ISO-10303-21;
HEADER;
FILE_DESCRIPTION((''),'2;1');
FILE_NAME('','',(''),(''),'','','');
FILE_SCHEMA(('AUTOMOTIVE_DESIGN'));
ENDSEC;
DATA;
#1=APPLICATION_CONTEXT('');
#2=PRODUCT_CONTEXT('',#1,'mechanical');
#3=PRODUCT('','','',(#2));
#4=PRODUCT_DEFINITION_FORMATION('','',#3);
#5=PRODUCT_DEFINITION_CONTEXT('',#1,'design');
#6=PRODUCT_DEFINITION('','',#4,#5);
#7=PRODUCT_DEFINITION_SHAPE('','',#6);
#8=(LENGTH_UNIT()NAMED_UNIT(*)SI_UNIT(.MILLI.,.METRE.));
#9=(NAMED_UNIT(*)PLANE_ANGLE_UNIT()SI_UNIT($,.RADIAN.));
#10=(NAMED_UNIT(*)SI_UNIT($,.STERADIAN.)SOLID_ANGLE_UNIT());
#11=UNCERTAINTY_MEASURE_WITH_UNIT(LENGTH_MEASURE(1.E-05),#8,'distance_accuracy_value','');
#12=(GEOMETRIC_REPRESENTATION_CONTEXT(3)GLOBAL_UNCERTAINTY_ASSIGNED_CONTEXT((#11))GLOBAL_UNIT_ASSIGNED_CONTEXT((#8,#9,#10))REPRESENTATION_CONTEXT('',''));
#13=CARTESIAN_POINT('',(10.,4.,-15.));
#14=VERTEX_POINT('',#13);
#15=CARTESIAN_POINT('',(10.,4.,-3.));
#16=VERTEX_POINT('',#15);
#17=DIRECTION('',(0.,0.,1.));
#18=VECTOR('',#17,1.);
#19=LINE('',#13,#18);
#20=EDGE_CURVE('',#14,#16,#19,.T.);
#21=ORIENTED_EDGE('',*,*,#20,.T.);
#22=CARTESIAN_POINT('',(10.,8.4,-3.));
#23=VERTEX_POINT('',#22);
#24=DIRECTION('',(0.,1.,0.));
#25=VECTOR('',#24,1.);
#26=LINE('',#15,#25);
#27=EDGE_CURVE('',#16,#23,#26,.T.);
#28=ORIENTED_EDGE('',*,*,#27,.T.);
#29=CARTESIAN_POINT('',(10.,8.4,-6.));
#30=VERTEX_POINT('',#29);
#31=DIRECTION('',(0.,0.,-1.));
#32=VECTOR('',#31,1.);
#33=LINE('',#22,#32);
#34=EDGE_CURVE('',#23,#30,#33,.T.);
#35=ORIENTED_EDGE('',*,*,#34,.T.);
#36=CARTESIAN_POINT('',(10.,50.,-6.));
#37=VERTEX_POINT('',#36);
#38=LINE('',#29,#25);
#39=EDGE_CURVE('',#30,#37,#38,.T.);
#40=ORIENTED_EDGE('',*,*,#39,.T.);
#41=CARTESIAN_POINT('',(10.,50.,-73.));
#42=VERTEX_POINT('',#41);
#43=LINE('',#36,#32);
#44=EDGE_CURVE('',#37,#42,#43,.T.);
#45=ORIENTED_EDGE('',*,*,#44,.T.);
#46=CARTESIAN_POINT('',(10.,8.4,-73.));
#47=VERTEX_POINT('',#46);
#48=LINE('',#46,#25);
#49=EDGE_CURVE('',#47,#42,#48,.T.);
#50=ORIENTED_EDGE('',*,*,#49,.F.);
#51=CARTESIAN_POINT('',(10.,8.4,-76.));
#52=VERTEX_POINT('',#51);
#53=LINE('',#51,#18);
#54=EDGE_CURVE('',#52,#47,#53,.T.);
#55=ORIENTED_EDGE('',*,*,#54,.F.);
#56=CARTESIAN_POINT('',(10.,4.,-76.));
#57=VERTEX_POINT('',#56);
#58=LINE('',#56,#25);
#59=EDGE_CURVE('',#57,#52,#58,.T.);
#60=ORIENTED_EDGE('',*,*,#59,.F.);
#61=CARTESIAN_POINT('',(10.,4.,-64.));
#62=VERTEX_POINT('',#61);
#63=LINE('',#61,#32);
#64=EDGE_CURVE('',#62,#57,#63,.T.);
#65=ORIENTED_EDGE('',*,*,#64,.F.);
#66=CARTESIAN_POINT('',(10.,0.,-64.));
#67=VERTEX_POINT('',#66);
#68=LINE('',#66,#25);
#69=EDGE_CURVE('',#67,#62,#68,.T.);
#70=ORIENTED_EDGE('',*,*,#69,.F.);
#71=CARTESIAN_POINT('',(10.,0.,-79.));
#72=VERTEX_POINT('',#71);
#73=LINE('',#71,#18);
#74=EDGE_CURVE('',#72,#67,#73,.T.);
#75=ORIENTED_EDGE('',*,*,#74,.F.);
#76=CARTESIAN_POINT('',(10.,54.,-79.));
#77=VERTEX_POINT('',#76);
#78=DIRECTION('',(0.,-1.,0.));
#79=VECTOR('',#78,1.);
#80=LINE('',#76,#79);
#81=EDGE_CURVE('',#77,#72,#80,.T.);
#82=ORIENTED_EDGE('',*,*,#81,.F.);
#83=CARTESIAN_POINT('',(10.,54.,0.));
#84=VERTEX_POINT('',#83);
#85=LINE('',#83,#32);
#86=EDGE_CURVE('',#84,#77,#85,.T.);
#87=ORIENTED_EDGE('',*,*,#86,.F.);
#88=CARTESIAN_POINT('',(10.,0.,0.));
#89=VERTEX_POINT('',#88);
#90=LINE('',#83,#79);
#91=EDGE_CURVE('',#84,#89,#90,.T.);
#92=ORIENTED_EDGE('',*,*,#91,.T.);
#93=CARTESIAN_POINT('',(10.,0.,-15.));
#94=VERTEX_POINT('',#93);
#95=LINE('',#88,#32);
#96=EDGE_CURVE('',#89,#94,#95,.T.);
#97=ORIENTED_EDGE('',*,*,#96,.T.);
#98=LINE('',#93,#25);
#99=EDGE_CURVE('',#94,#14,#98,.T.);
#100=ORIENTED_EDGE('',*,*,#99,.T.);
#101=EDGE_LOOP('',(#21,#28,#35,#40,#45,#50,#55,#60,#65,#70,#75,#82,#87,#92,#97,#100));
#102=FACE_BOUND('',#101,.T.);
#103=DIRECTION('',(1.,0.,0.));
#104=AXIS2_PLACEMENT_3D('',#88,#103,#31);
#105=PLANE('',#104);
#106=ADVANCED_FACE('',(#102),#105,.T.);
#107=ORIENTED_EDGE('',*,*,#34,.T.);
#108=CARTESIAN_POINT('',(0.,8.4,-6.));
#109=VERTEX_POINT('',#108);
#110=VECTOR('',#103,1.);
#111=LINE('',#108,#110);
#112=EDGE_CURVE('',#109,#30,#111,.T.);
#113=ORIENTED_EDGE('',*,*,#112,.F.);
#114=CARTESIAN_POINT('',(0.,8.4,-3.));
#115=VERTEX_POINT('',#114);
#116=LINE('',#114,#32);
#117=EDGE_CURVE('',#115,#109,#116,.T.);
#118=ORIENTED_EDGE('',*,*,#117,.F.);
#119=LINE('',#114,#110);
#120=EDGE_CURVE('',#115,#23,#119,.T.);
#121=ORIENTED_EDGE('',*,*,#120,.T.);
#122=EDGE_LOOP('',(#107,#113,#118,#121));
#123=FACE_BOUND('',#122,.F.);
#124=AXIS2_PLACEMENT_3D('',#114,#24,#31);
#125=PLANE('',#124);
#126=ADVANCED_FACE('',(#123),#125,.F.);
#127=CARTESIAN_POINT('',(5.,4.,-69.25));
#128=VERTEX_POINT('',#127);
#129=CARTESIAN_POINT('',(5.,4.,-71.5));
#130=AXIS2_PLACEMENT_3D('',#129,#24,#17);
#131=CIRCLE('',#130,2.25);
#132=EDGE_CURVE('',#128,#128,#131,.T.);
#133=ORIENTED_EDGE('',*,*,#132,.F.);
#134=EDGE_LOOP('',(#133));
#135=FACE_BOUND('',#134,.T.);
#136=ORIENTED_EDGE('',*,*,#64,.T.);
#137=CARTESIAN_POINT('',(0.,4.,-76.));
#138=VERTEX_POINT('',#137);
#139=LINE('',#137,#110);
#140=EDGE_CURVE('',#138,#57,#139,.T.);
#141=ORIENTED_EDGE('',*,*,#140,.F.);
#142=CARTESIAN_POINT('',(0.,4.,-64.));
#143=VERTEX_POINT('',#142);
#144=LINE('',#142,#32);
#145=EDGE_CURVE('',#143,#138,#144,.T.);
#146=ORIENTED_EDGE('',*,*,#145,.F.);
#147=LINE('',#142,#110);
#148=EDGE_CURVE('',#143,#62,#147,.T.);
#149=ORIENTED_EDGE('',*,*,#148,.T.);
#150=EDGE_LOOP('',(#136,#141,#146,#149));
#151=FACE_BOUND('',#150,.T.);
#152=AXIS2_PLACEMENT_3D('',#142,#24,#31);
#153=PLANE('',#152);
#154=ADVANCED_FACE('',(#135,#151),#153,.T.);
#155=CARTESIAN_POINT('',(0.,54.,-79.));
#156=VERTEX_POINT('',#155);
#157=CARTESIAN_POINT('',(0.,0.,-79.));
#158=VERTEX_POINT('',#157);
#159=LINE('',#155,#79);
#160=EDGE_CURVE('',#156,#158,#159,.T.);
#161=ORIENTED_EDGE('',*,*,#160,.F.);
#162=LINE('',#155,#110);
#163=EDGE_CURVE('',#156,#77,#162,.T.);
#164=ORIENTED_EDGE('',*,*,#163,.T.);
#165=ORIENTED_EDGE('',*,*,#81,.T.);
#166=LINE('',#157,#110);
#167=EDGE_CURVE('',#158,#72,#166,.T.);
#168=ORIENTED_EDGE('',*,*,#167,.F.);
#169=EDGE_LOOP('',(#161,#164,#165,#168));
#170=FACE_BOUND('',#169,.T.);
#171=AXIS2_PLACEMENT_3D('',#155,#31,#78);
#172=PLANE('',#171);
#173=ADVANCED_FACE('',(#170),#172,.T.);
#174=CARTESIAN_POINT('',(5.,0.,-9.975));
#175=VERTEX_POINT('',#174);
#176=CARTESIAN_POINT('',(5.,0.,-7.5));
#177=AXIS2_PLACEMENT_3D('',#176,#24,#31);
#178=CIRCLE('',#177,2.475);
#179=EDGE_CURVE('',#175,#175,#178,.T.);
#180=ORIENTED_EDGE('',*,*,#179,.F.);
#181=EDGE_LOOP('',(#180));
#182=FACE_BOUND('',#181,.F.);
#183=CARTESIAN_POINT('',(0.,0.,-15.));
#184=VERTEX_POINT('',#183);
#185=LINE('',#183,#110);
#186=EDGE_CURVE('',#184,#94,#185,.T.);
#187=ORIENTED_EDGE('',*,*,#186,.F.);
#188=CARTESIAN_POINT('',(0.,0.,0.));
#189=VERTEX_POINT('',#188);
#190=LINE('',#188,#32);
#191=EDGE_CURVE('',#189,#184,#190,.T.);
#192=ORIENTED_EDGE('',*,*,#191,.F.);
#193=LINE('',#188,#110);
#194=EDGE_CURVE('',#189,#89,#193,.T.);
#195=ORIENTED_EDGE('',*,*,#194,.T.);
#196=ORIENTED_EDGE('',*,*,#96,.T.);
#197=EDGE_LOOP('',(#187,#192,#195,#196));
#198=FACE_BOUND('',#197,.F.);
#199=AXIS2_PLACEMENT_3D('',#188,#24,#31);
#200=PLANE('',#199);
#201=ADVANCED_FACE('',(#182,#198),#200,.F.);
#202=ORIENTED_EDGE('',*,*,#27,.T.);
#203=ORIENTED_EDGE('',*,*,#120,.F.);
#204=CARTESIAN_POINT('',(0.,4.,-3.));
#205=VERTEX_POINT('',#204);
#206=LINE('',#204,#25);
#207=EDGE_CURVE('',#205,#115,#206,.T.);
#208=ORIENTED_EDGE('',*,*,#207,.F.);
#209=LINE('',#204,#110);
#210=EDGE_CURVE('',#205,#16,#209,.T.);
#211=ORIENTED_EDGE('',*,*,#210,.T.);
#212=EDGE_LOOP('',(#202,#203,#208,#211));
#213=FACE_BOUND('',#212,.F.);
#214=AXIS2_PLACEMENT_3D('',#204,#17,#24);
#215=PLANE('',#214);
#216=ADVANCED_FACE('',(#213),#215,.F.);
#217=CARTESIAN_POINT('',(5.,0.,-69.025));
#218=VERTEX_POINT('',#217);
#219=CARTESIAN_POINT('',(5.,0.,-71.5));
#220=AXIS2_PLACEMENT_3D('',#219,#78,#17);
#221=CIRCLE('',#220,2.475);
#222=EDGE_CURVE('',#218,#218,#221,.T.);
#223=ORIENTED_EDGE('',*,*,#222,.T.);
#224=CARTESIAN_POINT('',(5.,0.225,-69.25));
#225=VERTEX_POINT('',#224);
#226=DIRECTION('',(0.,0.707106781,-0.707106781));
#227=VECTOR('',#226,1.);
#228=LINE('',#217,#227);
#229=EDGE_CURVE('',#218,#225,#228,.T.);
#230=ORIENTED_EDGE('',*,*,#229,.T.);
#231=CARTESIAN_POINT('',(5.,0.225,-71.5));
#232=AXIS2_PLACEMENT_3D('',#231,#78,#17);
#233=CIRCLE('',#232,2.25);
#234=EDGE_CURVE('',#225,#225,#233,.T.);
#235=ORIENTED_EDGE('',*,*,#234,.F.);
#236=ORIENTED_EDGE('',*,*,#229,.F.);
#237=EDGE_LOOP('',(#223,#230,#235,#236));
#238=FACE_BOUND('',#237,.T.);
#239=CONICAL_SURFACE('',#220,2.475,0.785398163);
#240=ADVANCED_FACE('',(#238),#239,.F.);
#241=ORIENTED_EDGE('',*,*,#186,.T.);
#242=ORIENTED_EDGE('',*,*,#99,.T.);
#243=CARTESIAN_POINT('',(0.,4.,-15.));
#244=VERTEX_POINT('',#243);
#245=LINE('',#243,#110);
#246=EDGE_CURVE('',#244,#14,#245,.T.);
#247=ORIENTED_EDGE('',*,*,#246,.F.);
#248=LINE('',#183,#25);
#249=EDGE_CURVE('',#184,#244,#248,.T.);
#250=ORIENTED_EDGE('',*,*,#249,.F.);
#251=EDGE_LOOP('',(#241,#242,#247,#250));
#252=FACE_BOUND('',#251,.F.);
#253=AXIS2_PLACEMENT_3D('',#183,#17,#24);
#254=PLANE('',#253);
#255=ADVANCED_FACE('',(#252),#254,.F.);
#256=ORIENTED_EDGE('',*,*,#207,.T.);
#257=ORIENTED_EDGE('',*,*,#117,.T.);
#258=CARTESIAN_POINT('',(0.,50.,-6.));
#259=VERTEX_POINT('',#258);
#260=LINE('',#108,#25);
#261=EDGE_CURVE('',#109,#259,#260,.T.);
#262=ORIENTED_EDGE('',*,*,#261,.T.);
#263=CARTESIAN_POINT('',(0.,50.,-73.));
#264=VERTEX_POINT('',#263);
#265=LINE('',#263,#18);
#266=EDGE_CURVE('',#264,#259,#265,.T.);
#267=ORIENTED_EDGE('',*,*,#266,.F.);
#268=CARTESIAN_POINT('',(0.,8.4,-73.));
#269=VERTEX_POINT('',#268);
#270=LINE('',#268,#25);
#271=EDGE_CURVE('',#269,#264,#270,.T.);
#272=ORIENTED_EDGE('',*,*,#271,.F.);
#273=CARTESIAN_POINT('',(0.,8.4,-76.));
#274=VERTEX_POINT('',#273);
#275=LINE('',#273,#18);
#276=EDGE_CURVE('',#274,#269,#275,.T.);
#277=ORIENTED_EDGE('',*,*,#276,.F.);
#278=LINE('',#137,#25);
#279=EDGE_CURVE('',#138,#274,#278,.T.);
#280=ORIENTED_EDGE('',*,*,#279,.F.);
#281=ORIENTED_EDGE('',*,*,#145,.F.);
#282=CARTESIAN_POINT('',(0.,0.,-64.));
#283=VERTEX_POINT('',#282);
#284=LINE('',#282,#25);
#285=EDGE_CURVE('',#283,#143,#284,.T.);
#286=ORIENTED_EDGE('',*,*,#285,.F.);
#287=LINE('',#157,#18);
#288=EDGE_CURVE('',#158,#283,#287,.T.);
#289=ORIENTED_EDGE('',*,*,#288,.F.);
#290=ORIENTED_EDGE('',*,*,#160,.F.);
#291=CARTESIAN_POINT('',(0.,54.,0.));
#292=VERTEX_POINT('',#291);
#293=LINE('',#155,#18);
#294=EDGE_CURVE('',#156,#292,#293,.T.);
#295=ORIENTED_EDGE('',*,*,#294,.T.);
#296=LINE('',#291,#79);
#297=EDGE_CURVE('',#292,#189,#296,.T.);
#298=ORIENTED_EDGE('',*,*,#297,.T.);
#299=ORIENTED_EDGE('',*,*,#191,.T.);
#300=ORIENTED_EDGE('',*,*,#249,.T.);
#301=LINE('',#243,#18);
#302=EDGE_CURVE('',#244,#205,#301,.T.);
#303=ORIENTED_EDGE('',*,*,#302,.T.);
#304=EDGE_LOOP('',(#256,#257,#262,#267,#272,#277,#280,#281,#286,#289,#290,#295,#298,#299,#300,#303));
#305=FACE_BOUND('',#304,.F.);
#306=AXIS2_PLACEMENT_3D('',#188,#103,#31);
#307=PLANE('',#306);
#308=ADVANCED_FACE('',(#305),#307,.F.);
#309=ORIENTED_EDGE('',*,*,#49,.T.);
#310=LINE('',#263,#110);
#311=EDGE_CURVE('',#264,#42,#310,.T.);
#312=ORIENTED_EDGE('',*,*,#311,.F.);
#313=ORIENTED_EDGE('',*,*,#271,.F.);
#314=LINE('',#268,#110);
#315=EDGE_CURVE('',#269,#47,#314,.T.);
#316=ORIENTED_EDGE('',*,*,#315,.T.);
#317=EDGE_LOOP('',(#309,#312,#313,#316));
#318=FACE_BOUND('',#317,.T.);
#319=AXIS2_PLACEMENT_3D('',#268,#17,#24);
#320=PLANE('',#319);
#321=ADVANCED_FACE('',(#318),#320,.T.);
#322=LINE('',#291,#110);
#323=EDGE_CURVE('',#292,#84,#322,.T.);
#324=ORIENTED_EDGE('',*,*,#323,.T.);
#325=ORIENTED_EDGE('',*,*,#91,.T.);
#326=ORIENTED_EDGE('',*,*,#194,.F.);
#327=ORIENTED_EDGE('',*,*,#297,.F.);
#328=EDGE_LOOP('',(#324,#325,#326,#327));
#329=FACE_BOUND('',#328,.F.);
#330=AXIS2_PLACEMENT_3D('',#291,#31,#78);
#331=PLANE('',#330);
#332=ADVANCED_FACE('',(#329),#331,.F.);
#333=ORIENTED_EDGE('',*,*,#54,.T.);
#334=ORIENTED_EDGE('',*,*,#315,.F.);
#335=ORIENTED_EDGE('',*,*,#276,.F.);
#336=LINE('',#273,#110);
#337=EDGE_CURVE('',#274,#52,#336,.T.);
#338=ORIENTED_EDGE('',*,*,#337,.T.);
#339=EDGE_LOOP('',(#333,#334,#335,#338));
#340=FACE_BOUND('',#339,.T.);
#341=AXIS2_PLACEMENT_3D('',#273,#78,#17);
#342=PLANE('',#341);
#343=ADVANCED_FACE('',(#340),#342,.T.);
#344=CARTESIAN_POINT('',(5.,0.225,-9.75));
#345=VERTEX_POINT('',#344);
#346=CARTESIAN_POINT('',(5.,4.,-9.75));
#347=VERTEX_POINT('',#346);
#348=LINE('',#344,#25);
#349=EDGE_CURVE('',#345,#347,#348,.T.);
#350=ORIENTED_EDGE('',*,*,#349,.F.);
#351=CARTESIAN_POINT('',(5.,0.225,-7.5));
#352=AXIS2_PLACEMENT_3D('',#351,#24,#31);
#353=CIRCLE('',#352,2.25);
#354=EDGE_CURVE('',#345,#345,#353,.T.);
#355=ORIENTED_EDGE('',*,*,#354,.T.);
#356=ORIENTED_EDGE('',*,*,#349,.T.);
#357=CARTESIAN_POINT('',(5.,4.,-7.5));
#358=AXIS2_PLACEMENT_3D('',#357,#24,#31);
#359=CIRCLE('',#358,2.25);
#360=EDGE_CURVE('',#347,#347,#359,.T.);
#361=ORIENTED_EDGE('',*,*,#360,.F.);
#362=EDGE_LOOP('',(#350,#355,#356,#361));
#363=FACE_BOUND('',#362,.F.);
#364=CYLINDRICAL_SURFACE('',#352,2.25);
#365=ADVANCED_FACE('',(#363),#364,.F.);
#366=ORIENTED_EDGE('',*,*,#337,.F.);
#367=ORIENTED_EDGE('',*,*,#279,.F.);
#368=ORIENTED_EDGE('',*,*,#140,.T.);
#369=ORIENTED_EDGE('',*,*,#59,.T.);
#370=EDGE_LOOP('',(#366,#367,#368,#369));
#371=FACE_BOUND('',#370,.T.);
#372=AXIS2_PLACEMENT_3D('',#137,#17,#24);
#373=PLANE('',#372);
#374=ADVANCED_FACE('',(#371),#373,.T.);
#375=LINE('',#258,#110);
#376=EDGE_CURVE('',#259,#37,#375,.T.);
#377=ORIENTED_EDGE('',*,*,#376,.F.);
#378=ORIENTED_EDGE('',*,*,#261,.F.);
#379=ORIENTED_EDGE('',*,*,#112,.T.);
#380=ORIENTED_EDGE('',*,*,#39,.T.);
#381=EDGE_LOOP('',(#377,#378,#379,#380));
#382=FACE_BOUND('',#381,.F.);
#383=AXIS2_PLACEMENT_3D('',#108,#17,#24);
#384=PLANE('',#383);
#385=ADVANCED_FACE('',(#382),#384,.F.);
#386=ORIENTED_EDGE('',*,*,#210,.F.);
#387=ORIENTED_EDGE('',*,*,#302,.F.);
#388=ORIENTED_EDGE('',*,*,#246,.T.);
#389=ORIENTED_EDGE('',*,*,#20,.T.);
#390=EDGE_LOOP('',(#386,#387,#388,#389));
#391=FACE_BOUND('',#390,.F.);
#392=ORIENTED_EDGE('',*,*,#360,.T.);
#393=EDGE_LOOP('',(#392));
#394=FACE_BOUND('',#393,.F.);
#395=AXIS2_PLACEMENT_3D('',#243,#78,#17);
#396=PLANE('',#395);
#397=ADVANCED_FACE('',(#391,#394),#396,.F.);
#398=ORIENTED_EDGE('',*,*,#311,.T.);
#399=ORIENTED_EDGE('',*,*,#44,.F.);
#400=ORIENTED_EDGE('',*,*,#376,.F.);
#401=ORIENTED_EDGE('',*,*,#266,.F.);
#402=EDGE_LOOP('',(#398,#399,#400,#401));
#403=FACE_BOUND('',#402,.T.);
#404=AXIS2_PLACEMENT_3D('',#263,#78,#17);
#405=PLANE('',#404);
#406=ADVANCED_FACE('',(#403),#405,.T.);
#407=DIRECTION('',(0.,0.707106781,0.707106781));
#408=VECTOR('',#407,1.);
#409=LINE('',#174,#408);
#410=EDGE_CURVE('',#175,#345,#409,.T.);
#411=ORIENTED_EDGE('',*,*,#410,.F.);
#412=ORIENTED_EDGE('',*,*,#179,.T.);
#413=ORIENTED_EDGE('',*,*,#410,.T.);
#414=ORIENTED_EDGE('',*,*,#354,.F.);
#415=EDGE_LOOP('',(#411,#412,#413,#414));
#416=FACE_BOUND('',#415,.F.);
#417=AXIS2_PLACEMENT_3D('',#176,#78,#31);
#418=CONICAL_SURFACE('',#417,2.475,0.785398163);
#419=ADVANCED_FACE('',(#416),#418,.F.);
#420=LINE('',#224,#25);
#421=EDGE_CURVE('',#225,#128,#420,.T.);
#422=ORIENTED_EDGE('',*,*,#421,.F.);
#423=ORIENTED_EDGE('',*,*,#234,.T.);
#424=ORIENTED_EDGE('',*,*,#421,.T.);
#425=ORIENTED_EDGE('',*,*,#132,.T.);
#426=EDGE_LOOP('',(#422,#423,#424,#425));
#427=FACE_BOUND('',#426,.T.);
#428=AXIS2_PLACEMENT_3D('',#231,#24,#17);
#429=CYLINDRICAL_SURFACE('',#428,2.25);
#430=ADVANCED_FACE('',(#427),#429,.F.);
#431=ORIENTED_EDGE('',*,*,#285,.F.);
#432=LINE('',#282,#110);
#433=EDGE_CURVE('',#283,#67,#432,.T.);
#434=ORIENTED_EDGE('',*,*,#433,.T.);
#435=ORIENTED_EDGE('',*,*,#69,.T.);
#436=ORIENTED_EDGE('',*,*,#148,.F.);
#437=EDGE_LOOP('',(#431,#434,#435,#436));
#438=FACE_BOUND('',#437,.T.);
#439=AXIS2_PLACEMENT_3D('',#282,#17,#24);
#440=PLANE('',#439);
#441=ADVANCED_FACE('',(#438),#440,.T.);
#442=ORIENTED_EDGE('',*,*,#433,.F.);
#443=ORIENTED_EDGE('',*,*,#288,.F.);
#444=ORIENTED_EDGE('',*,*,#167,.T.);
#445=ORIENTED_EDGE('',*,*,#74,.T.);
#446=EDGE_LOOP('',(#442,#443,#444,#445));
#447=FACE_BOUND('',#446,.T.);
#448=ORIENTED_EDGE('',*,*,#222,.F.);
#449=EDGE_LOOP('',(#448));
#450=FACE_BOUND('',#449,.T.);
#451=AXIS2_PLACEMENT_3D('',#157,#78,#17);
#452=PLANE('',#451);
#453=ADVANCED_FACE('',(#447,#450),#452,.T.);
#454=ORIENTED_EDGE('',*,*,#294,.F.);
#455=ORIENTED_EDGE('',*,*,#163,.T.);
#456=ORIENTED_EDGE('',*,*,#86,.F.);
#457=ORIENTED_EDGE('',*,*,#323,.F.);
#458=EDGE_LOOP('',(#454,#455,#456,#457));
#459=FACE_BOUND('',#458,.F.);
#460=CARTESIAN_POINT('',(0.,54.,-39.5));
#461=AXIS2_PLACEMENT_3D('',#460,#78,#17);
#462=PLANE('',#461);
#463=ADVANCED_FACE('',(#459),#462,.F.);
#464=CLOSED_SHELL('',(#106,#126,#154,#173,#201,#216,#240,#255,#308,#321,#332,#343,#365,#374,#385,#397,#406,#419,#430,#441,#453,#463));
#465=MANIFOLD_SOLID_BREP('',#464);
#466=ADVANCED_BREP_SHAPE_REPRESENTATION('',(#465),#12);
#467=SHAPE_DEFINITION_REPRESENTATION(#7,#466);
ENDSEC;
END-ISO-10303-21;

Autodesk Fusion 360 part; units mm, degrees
sketch "Sketch1" plane through (0, 0, 0) normal (1, 0, 0) x (0, 0, -1)
  line L0 (0, 0) -> (15, 0)
  line L1 (15, 0) -> (15, 4)
  line L2 (15, 4) -> (3, 4)
  line L3 (3, 4) -> (3, 8.4)
  line L4 (3, 8.4) -> (6, 8.4)
  line L5 (6, 8.4) -> (6, 50)
  line L6 (6, 50) -> (39.5, 50)
  line L7 (39.5, 54) -> (0, 54)
  line L8 (0, 54) -> (0, 0)
  line L9 (39.5, 54) -> (39.5, 50) construction
  line L10 (64, 0) -> (64, 4)
  line L11 (79, 0) -> (64, 0)
  line L12 (73, 8.4) -> (73, 50)
  line L13 (76, 4) -> (76, 8.4)
  line L14 (76, 8.4) -> (73, 8.4)
  line L15 (79, 54) -> (79, 0)
  line L16 (64, 4) -> (76, 4)
  line L17 (73, 50) -> (39.5, 50)
  line L18 (39.5, 54) -> (79, 54)
  point P0 (79, 0)
  dimension "d1" = 4.4
  dimension "d3" = 6
  dimension "d4" = 4
  dimension "d5" = 50
  dimension "d7" = 73
  dimension "d8" = 4
  dimension "d11" = 3
  dimension "d12" = 15
extrude "Extrude1" add sketch "Sketch1" along normal blind 10
ref_plane "WorkPlane1" through (5, 27, -39.5) normal (0, 0, -1) x (0, 1, 0)
hole "Hole2" at (5, 0, -7.5) direction (0, 1, 0) diameter 4.5 depth 5 tip angle 118 countersink diameter 4.95 countersink angle 90
mirror "Mirror1" about plane through (5, 27, -39.5) normal (0, 0, -1) of "Hole2"
